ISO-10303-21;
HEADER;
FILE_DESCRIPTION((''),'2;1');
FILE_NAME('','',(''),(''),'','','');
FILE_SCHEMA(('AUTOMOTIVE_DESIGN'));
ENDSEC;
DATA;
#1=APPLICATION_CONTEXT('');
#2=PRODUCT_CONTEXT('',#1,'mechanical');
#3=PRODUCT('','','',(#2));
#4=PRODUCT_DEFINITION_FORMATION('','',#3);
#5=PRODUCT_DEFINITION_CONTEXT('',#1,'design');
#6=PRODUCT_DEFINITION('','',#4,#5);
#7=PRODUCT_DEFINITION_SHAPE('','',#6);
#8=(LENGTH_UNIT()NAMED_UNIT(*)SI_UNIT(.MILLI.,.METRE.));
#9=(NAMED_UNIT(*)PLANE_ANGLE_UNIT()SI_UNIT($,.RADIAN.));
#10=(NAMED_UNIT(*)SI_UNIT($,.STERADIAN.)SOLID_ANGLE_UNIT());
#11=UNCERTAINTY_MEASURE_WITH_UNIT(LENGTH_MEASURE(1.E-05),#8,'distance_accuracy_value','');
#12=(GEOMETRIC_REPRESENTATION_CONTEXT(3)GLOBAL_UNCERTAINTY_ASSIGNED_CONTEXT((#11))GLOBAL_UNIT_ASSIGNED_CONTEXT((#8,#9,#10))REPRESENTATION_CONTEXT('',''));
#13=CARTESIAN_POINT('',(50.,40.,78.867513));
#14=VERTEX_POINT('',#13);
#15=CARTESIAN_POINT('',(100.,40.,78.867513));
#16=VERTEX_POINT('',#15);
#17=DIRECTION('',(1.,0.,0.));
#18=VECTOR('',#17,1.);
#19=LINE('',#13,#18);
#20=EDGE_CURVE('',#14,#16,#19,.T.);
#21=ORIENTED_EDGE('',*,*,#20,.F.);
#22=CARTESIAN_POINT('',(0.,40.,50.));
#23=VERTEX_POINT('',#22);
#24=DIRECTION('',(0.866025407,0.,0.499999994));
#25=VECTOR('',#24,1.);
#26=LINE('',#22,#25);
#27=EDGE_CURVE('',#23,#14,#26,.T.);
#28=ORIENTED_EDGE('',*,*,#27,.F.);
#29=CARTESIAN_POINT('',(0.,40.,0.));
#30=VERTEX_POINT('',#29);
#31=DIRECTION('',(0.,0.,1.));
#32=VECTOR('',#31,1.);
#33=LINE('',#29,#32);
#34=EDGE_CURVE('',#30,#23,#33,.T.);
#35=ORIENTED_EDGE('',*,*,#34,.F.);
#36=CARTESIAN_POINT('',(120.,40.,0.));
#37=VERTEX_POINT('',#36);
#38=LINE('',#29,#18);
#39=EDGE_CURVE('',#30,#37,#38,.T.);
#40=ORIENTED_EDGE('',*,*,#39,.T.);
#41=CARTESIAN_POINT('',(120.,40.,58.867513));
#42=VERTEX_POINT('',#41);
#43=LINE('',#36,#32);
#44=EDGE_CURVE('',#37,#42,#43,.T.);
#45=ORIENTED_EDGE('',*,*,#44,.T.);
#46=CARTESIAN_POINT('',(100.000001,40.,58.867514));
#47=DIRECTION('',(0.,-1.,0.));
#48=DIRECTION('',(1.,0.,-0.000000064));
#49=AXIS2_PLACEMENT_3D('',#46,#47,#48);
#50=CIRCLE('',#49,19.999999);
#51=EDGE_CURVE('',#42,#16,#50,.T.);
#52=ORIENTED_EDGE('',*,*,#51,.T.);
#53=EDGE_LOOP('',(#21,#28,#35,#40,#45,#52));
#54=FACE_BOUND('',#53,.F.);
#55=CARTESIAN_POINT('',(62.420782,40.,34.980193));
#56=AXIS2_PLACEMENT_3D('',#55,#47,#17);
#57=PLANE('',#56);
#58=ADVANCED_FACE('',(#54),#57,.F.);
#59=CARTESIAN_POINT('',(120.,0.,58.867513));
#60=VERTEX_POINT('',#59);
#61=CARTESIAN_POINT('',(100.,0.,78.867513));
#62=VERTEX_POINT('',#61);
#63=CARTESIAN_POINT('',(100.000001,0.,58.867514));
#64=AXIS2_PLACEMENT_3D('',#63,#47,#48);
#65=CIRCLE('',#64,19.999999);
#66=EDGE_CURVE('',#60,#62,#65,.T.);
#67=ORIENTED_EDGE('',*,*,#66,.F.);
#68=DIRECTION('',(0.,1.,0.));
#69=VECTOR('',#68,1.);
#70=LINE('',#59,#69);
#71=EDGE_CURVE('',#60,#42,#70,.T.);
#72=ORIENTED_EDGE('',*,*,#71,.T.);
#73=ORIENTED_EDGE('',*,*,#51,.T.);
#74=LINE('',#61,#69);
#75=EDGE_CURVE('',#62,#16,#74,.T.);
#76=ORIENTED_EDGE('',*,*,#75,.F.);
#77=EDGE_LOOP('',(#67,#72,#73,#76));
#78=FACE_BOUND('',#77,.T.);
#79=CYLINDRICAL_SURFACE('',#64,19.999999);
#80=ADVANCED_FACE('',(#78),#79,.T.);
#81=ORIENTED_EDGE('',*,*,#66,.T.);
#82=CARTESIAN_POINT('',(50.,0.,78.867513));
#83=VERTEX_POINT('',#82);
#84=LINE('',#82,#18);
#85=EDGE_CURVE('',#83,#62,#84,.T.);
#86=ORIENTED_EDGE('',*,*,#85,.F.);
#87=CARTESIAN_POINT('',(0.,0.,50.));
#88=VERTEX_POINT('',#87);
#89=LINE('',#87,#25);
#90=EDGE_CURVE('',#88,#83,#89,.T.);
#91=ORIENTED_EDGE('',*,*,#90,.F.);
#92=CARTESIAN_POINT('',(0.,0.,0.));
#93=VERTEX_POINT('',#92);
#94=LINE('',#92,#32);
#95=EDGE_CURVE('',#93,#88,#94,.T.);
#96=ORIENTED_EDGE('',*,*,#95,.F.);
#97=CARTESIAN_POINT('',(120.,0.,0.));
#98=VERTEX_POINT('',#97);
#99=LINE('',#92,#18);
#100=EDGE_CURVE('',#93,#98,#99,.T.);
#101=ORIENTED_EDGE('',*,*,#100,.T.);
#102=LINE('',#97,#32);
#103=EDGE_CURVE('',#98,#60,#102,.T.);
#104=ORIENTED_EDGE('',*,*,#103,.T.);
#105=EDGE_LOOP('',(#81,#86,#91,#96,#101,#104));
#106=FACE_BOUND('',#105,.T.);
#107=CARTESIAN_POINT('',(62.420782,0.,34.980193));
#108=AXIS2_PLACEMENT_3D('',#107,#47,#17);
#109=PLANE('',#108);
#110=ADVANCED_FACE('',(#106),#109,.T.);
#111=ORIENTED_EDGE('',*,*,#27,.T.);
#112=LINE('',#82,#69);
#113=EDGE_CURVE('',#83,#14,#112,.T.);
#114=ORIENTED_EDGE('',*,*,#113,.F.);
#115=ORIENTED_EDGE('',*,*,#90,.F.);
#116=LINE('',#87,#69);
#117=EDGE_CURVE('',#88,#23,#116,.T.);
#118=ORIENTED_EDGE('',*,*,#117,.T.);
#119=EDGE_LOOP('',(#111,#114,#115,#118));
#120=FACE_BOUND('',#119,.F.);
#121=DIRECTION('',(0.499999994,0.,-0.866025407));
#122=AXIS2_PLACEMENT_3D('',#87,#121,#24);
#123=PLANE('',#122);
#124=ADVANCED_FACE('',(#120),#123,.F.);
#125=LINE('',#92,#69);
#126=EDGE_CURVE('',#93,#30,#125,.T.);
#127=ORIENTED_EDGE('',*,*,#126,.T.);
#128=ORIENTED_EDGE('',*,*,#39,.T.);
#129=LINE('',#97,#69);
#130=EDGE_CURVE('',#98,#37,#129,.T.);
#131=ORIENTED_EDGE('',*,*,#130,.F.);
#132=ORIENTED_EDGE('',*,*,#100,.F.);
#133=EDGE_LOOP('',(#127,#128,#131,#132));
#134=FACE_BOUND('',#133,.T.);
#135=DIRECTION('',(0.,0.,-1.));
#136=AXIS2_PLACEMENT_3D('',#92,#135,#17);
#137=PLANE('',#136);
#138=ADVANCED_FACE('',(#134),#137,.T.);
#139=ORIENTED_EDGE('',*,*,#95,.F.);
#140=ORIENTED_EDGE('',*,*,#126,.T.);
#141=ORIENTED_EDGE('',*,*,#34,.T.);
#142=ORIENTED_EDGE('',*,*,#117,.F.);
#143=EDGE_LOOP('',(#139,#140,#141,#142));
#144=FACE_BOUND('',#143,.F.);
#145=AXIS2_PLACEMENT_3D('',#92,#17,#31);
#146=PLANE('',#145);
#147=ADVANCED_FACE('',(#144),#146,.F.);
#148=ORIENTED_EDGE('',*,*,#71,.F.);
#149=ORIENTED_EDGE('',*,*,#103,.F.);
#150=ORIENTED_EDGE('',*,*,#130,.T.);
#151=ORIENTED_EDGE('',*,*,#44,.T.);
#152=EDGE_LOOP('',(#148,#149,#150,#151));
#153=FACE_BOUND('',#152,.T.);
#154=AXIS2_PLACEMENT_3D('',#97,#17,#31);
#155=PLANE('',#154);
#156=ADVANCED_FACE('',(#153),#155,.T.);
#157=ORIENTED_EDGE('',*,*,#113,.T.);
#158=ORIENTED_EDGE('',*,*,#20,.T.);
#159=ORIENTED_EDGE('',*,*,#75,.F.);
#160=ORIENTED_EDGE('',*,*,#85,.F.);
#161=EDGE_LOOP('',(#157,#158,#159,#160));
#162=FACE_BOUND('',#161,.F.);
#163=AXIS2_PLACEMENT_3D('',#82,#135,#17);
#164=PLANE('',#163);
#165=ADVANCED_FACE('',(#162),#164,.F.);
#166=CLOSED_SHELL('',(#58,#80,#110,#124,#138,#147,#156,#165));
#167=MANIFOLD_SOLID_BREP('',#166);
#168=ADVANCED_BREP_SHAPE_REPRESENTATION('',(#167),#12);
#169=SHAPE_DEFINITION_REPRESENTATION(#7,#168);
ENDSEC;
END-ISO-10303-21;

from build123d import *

# Parameters (mm, degrees)
PAD_DEPTH = 40


with BuildPart() as part:
    # Sketch → Pad (new body)
    with BuildSketch(Plane.XZ):
        with BuildLine():
            Line((0, 0), (120, 0))
            Line((120, 0), (120, 58.867513))
            ThreePointArc((120, 58.867513), (114.142136, 73.009649), (100, 78.867513))
            Line((50, 78.867513), (100, 78.867513))
            Line((0, 50), (50, 78.867513))
            Line((0, 0), (0, 50))
        make_face()
    extrude(amount=-PAD_DEPTH)


solid = part.part
